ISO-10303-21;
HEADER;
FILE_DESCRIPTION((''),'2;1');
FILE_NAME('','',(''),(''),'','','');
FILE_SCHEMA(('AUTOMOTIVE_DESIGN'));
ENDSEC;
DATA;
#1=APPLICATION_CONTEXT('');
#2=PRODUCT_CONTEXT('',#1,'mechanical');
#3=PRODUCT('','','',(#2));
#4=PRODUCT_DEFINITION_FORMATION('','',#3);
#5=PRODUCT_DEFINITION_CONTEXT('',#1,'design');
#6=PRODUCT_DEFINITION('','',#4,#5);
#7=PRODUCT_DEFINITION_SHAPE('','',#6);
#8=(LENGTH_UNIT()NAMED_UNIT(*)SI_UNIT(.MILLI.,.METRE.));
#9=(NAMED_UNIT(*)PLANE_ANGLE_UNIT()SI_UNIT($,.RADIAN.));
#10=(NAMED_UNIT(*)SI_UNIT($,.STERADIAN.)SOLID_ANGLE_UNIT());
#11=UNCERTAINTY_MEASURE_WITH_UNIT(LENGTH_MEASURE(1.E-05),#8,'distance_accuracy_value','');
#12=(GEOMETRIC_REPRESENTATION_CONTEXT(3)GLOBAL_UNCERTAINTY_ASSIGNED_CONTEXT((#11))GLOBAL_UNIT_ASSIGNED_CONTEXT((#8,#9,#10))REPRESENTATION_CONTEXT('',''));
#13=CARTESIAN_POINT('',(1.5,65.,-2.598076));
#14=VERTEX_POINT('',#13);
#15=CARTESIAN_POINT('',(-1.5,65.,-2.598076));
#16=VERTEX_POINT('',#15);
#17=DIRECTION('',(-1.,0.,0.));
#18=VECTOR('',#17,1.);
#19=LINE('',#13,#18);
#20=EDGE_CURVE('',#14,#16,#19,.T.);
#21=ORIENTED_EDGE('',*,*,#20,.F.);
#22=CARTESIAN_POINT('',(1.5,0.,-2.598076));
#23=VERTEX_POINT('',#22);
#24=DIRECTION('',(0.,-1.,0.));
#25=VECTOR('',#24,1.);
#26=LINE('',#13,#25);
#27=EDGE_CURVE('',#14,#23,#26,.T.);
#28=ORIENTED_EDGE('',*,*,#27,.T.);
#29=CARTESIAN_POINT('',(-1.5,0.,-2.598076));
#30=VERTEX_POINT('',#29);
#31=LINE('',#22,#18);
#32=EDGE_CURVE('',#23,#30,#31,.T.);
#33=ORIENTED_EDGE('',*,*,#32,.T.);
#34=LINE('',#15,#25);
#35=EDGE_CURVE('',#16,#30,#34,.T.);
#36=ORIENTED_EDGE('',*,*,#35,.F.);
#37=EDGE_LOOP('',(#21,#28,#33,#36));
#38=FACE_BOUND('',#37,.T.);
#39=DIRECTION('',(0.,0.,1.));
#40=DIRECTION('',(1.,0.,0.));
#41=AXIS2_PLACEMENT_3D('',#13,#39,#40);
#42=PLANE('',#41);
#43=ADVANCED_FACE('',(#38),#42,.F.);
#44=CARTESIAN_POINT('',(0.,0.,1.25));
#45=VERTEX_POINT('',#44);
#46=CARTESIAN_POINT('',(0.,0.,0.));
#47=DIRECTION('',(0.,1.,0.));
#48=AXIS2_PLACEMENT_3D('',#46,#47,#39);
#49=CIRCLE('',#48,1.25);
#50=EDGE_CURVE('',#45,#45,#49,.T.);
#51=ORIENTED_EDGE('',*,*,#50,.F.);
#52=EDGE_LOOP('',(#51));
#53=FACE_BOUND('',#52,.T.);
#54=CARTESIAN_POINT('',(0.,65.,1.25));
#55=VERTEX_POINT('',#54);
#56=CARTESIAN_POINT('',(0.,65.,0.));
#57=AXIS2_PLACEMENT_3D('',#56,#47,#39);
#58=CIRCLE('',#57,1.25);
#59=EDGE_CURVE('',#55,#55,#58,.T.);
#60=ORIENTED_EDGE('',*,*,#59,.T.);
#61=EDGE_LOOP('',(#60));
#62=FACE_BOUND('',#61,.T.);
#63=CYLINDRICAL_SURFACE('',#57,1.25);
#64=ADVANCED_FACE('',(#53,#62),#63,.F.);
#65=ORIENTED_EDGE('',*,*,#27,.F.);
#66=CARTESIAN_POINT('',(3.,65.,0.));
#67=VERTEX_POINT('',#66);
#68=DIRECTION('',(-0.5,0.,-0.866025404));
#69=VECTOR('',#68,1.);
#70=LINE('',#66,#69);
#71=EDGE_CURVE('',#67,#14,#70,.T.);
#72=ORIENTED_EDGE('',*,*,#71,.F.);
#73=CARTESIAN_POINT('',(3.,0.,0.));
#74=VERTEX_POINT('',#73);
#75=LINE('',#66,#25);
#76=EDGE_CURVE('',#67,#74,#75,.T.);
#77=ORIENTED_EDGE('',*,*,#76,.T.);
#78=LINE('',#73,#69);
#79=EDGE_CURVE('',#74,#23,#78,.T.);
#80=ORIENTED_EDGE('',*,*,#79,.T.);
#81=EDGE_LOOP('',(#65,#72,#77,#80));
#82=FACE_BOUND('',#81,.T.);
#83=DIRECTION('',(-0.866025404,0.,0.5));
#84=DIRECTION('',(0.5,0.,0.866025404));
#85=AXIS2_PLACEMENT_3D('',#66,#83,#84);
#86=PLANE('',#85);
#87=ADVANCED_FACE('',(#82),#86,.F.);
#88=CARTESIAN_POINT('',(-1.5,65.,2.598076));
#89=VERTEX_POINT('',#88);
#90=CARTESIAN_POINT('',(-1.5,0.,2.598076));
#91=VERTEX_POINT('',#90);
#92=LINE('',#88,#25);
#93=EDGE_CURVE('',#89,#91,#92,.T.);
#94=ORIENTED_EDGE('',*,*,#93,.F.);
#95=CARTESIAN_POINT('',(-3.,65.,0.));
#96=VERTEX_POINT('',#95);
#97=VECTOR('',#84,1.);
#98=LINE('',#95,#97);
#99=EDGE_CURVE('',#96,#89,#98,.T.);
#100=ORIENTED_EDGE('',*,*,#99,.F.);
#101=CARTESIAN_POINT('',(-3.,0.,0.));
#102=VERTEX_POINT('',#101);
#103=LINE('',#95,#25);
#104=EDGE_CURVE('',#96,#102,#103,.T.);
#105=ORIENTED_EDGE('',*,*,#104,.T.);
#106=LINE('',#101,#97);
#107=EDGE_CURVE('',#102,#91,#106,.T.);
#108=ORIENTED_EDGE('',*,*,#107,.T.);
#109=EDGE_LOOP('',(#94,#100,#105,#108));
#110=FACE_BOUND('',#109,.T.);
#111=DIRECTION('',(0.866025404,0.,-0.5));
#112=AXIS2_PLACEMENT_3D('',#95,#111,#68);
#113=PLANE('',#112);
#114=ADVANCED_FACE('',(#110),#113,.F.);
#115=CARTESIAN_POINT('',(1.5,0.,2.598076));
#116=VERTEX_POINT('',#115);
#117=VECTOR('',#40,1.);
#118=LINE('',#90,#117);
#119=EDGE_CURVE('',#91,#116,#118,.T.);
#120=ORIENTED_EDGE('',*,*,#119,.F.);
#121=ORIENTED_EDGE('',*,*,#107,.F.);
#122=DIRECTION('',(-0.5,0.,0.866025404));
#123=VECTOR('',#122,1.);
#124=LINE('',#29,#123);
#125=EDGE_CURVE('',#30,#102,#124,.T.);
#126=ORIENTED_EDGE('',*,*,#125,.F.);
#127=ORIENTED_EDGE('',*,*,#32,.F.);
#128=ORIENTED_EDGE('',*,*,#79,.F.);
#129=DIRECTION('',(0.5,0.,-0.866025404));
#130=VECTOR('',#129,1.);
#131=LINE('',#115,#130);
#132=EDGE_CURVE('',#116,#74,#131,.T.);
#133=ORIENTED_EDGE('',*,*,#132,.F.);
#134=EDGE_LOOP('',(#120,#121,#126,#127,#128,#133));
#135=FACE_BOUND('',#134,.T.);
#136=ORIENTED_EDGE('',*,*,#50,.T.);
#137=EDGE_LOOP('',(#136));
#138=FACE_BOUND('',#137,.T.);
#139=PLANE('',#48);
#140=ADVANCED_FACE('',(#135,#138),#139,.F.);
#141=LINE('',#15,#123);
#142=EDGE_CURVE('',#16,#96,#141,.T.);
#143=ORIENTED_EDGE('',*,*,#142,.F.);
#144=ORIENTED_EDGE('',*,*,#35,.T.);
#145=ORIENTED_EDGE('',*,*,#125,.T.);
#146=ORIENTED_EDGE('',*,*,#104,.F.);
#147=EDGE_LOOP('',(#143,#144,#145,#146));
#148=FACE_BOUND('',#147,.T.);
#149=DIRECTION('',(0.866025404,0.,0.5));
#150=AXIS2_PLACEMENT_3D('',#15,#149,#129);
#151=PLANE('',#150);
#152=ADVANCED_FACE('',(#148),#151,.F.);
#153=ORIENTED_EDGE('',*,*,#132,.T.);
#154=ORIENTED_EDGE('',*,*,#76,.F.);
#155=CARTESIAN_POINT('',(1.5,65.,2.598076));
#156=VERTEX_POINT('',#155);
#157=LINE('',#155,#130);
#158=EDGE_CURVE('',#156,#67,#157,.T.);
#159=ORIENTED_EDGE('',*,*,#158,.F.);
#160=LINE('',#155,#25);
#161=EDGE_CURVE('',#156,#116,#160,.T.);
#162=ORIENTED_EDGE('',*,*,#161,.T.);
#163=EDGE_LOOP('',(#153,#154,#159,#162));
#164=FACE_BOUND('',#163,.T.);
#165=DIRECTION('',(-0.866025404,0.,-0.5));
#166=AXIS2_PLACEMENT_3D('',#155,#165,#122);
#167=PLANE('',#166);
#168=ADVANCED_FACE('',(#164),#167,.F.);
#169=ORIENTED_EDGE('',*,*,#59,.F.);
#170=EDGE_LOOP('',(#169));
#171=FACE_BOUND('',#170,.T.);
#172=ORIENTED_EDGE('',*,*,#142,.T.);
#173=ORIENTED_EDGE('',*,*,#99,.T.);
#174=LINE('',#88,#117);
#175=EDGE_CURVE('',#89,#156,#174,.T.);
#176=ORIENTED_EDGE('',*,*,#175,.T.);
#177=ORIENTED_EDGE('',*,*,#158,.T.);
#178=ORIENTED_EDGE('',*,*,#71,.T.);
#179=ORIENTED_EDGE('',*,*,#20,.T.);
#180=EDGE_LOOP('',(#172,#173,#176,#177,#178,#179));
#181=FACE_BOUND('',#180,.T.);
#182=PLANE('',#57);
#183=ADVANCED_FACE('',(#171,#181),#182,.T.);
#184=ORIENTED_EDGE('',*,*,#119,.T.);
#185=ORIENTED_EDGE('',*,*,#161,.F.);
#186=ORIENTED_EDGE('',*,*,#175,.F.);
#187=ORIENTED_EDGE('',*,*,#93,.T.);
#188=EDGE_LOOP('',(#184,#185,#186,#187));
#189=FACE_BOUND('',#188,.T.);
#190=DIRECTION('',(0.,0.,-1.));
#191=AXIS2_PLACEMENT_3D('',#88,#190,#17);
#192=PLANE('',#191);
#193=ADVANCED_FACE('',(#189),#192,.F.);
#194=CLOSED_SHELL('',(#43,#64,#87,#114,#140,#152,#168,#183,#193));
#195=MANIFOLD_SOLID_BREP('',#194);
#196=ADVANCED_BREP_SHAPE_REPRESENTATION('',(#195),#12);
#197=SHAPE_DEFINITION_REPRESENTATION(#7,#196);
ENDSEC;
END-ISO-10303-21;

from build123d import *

# Parameters (mm, degrees)
EXTRUDE_1_DEPTH    = 65
HOLE_WIZARD_M3_1_D = 2.5


with BuildPart() as part:
    # 草图1 → 凸台-拉伸1 (new body)
    with BuildSketch(Plane(origin=(0, 0, 0), x_dir=(1, 0, 0), z_dir=(0, 1, 0))):
        Polygon((1.5, 2.598076211), (-1.5, 2.598076211), (-3, 0), (-1.5, -2.598076211), (1.5, -2.598076211), (3, 0), align=None)
    extrude(amount=EXTRUDE_1_DEPTH)

    # M3 螺纹孔1 (through all)
    with Locations(Plane(origin=(0, 65, 0), x_dir=(1, 0, 0), z_dir=(0, 1, 0))):
        with Locations((0, 0)):
            Hole(HOLE_WIZARD_M3_1_D / 2)


solid = part.part
